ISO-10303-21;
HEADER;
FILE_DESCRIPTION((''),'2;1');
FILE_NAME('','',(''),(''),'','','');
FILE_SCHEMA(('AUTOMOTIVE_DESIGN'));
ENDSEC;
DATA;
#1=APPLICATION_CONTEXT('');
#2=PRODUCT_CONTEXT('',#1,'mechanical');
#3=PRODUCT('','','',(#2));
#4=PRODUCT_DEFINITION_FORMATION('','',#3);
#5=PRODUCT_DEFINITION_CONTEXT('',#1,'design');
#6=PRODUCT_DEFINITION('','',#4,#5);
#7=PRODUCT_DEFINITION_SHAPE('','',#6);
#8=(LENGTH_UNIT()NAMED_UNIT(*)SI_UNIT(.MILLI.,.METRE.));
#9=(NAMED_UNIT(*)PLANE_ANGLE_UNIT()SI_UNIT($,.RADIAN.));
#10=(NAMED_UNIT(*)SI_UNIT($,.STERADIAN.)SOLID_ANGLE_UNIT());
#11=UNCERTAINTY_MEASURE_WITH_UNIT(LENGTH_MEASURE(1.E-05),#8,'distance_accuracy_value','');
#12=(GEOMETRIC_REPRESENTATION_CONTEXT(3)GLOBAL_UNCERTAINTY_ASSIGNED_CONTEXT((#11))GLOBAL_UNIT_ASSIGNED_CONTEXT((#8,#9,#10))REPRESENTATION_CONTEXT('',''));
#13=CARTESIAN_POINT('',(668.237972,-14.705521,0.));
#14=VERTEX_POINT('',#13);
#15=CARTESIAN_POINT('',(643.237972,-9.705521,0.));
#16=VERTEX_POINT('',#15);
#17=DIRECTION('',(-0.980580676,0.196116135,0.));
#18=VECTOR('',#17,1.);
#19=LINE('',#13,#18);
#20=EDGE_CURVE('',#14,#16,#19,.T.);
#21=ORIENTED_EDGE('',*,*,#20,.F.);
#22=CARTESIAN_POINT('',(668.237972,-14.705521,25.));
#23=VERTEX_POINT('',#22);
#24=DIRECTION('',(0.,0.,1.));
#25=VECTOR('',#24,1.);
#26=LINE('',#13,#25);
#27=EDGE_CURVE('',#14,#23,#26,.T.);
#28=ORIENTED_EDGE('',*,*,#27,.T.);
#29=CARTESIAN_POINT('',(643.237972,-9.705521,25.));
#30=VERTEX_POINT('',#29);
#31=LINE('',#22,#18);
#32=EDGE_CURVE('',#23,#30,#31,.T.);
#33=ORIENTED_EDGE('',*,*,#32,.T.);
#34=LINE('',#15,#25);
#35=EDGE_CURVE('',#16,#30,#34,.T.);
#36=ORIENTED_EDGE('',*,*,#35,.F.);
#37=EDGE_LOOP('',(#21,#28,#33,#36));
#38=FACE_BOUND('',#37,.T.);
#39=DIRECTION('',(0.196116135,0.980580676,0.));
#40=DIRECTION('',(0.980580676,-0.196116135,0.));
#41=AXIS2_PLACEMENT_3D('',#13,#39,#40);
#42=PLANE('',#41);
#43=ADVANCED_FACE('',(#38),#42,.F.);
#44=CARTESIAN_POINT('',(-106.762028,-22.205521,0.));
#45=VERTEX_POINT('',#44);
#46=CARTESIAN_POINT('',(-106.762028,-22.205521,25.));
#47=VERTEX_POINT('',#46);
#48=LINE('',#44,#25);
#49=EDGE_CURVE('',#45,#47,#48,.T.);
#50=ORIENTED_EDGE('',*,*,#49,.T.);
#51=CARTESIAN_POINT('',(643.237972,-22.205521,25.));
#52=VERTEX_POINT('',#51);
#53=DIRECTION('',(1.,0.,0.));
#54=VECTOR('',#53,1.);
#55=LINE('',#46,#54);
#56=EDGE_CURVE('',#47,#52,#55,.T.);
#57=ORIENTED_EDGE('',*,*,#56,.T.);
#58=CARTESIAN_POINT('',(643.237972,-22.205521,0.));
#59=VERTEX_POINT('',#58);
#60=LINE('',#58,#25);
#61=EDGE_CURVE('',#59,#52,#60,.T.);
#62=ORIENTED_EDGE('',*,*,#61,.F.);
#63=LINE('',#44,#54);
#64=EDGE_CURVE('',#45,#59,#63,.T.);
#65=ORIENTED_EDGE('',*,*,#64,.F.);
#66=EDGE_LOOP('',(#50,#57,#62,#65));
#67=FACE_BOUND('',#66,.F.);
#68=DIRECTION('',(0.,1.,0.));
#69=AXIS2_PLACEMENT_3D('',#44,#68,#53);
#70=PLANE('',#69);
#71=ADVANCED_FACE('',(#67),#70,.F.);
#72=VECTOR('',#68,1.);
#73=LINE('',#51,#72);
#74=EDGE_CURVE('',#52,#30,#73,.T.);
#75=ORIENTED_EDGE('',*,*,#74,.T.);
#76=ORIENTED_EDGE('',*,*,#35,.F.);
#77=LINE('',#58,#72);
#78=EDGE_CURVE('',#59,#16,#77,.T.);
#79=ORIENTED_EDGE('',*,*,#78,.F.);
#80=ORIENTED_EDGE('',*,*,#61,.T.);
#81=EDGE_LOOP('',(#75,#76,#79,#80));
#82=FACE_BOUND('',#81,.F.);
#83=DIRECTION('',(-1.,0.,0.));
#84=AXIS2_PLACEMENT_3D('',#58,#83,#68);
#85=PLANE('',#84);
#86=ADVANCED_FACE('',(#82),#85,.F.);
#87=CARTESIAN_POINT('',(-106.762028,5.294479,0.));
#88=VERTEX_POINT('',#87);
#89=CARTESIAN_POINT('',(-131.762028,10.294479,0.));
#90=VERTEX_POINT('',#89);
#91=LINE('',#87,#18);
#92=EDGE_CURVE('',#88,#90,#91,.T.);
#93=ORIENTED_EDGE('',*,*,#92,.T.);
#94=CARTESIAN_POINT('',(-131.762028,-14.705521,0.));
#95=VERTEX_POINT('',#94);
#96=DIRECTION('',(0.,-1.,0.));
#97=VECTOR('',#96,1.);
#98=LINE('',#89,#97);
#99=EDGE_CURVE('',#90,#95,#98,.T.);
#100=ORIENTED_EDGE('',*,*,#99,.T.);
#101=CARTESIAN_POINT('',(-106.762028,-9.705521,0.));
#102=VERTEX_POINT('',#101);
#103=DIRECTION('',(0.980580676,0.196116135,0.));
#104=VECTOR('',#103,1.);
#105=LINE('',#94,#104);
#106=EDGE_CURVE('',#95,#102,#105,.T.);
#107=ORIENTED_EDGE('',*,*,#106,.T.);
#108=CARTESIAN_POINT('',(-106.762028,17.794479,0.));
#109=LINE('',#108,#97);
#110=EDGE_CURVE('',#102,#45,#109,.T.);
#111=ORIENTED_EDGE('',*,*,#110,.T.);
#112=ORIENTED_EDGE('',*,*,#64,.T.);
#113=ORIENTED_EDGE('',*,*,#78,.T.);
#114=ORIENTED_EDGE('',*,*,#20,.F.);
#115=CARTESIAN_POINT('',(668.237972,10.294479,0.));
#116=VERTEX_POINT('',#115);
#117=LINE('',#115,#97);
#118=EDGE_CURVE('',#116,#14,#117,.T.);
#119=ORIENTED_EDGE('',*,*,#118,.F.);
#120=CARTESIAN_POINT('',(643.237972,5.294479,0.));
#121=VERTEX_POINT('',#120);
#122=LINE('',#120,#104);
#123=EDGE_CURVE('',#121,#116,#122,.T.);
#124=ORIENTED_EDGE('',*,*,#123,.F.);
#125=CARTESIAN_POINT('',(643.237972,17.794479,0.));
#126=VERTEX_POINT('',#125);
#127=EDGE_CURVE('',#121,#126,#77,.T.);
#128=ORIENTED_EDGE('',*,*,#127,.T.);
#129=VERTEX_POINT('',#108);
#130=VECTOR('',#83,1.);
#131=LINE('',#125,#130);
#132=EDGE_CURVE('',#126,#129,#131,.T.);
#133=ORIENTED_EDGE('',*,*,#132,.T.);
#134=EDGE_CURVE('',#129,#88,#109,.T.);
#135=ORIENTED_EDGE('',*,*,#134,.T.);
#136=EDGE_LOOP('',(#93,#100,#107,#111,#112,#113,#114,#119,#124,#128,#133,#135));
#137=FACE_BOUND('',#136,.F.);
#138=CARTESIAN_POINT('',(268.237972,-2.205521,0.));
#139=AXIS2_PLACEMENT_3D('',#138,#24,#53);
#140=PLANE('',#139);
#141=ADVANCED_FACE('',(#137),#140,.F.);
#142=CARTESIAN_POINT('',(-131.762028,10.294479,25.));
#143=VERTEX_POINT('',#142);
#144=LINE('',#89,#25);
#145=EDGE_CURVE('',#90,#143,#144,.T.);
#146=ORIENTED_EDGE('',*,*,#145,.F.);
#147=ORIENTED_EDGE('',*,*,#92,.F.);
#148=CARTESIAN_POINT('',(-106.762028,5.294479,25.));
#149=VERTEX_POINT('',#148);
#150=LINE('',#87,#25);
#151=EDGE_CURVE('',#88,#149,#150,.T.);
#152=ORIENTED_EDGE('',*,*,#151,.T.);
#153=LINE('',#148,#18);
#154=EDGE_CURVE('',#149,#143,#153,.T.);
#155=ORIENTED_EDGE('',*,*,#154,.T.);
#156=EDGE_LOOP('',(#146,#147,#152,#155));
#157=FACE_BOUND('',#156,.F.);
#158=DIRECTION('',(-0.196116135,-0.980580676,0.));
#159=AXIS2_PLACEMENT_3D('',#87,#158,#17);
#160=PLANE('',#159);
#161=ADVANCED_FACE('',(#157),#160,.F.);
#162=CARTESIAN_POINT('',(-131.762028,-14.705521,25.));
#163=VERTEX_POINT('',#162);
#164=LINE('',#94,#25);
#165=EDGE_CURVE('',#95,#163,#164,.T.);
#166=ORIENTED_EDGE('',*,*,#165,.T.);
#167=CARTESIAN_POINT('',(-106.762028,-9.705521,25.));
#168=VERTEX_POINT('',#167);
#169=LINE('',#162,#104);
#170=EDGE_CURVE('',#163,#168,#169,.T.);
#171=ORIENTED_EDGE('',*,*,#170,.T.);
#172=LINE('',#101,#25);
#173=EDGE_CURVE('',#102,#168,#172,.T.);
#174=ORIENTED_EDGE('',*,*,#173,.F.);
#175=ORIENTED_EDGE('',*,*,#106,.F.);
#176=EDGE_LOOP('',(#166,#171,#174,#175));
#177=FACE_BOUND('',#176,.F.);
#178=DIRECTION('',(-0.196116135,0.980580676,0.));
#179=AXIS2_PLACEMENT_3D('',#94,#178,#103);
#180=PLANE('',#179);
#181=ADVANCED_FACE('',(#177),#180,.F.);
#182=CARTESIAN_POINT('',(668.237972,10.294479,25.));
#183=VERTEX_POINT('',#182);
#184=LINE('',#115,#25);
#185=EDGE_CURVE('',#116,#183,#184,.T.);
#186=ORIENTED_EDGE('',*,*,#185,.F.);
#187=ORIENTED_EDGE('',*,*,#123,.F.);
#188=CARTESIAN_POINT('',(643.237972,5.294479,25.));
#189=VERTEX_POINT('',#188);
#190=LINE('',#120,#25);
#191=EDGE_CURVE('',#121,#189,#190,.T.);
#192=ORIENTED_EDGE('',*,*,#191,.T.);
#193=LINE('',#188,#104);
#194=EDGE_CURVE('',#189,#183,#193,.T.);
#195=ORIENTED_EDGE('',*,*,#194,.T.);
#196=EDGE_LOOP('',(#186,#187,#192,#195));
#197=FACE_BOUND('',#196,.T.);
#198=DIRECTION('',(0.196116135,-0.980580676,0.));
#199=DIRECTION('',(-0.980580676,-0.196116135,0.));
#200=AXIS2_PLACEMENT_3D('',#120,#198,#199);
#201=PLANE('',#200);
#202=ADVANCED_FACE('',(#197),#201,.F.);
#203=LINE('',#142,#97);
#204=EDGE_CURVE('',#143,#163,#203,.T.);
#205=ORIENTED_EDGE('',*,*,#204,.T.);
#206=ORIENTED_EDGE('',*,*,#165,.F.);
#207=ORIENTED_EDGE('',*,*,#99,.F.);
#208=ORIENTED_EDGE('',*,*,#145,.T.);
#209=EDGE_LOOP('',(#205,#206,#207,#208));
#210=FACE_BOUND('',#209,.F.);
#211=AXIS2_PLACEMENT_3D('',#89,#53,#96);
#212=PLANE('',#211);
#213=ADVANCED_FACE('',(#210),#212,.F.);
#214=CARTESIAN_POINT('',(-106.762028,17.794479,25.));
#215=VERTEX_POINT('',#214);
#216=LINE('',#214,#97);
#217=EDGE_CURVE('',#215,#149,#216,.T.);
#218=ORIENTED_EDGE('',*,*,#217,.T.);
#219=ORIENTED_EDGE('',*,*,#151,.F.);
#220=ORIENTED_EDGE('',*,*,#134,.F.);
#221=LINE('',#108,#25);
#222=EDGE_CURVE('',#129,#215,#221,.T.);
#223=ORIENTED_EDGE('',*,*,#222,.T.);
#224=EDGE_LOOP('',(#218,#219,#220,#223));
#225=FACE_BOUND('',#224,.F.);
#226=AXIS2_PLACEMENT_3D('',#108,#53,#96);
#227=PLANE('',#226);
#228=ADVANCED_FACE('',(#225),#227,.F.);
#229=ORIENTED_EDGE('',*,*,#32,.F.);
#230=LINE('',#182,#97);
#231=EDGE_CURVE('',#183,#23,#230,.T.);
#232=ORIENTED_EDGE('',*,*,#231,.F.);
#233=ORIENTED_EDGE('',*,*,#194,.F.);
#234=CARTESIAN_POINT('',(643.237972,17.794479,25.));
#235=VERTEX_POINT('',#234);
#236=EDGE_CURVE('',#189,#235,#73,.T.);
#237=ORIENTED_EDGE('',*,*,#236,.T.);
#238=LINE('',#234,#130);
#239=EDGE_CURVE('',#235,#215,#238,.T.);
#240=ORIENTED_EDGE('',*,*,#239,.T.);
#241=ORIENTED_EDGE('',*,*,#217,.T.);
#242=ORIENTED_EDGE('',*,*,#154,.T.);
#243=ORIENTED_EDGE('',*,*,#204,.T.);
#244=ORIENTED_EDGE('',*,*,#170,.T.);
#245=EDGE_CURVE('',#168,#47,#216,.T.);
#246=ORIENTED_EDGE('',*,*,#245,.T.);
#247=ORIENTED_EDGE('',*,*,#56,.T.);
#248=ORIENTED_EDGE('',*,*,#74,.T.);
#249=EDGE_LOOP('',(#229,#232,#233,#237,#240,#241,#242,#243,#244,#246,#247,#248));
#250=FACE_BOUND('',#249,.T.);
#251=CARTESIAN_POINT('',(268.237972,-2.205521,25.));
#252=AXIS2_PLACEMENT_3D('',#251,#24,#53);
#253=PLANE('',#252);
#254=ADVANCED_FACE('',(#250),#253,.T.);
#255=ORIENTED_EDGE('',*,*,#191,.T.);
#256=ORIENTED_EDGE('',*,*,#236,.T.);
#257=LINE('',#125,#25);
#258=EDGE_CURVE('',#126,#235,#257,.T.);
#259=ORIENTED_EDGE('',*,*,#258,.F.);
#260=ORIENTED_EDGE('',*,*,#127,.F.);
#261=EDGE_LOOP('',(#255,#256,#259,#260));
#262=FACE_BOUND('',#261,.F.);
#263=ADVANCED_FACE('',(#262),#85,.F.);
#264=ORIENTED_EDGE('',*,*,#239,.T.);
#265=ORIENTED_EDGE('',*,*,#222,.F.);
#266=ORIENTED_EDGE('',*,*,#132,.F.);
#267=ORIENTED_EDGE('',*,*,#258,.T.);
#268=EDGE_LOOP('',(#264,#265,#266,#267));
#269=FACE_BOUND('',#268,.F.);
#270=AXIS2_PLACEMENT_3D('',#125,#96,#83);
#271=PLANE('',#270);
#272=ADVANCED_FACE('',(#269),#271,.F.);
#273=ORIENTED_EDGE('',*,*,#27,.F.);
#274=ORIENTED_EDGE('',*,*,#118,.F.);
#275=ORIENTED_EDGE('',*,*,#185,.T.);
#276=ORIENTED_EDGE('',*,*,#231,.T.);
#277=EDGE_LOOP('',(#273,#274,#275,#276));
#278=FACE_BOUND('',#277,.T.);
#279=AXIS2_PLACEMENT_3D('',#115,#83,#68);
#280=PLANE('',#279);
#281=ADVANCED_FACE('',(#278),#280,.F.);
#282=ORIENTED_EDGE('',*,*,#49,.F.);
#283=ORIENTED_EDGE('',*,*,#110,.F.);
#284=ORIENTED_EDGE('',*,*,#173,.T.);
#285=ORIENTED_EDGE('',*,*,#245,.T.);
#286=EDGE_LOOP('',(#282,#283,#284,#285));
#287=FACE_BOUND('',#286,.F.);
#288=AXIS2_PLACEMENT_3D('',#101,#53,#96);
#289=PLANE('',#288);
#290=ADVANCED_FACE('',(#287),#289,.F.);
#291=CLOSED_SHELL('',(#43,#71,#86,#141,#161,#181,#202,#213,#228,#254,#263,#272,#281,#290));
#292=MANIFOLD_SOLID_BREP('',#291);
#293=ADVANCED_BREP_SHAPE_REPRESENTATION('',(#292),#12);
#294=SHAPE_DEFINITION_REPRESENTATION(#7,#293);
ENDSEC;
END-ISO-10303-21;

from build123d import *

# Parameters (mm, degrees)
F1_DEPTH = 25


with BuildPart() as f1:
    # F0 (on Top) → F1 (new body)
    with BuildSketch(Plane.XY):
        Polygon((643.2379722595, 17.7944789454), (-106.7620277405, 17.7944789454), (-106.7620277405, 5.2944789454), (-106.7620277405, -9.7055210546), (-106.7620277405, -22.2055210546), (643.2379722595, -22.2055210546), align=None)
        Polygon((-106.7620277405, -9.7055210546), (-106.7620277405, 5.2944789454), (-131.7620277405, 10.2944789454), (-131.7620277405, -14.7055210546), align=None)
    extrude(amount=F1_DEPTH)

    # F6: F1 across plane


with BuildPart() as f1_1:
    add(f1.part)
    add(f1.part.mirror(Plane(origin=(268.2379722595, -22.2055210546, 25), x_dir=(0, 1, 0), z_dir=(1, 0, 0))))


solid = f1_1.part
